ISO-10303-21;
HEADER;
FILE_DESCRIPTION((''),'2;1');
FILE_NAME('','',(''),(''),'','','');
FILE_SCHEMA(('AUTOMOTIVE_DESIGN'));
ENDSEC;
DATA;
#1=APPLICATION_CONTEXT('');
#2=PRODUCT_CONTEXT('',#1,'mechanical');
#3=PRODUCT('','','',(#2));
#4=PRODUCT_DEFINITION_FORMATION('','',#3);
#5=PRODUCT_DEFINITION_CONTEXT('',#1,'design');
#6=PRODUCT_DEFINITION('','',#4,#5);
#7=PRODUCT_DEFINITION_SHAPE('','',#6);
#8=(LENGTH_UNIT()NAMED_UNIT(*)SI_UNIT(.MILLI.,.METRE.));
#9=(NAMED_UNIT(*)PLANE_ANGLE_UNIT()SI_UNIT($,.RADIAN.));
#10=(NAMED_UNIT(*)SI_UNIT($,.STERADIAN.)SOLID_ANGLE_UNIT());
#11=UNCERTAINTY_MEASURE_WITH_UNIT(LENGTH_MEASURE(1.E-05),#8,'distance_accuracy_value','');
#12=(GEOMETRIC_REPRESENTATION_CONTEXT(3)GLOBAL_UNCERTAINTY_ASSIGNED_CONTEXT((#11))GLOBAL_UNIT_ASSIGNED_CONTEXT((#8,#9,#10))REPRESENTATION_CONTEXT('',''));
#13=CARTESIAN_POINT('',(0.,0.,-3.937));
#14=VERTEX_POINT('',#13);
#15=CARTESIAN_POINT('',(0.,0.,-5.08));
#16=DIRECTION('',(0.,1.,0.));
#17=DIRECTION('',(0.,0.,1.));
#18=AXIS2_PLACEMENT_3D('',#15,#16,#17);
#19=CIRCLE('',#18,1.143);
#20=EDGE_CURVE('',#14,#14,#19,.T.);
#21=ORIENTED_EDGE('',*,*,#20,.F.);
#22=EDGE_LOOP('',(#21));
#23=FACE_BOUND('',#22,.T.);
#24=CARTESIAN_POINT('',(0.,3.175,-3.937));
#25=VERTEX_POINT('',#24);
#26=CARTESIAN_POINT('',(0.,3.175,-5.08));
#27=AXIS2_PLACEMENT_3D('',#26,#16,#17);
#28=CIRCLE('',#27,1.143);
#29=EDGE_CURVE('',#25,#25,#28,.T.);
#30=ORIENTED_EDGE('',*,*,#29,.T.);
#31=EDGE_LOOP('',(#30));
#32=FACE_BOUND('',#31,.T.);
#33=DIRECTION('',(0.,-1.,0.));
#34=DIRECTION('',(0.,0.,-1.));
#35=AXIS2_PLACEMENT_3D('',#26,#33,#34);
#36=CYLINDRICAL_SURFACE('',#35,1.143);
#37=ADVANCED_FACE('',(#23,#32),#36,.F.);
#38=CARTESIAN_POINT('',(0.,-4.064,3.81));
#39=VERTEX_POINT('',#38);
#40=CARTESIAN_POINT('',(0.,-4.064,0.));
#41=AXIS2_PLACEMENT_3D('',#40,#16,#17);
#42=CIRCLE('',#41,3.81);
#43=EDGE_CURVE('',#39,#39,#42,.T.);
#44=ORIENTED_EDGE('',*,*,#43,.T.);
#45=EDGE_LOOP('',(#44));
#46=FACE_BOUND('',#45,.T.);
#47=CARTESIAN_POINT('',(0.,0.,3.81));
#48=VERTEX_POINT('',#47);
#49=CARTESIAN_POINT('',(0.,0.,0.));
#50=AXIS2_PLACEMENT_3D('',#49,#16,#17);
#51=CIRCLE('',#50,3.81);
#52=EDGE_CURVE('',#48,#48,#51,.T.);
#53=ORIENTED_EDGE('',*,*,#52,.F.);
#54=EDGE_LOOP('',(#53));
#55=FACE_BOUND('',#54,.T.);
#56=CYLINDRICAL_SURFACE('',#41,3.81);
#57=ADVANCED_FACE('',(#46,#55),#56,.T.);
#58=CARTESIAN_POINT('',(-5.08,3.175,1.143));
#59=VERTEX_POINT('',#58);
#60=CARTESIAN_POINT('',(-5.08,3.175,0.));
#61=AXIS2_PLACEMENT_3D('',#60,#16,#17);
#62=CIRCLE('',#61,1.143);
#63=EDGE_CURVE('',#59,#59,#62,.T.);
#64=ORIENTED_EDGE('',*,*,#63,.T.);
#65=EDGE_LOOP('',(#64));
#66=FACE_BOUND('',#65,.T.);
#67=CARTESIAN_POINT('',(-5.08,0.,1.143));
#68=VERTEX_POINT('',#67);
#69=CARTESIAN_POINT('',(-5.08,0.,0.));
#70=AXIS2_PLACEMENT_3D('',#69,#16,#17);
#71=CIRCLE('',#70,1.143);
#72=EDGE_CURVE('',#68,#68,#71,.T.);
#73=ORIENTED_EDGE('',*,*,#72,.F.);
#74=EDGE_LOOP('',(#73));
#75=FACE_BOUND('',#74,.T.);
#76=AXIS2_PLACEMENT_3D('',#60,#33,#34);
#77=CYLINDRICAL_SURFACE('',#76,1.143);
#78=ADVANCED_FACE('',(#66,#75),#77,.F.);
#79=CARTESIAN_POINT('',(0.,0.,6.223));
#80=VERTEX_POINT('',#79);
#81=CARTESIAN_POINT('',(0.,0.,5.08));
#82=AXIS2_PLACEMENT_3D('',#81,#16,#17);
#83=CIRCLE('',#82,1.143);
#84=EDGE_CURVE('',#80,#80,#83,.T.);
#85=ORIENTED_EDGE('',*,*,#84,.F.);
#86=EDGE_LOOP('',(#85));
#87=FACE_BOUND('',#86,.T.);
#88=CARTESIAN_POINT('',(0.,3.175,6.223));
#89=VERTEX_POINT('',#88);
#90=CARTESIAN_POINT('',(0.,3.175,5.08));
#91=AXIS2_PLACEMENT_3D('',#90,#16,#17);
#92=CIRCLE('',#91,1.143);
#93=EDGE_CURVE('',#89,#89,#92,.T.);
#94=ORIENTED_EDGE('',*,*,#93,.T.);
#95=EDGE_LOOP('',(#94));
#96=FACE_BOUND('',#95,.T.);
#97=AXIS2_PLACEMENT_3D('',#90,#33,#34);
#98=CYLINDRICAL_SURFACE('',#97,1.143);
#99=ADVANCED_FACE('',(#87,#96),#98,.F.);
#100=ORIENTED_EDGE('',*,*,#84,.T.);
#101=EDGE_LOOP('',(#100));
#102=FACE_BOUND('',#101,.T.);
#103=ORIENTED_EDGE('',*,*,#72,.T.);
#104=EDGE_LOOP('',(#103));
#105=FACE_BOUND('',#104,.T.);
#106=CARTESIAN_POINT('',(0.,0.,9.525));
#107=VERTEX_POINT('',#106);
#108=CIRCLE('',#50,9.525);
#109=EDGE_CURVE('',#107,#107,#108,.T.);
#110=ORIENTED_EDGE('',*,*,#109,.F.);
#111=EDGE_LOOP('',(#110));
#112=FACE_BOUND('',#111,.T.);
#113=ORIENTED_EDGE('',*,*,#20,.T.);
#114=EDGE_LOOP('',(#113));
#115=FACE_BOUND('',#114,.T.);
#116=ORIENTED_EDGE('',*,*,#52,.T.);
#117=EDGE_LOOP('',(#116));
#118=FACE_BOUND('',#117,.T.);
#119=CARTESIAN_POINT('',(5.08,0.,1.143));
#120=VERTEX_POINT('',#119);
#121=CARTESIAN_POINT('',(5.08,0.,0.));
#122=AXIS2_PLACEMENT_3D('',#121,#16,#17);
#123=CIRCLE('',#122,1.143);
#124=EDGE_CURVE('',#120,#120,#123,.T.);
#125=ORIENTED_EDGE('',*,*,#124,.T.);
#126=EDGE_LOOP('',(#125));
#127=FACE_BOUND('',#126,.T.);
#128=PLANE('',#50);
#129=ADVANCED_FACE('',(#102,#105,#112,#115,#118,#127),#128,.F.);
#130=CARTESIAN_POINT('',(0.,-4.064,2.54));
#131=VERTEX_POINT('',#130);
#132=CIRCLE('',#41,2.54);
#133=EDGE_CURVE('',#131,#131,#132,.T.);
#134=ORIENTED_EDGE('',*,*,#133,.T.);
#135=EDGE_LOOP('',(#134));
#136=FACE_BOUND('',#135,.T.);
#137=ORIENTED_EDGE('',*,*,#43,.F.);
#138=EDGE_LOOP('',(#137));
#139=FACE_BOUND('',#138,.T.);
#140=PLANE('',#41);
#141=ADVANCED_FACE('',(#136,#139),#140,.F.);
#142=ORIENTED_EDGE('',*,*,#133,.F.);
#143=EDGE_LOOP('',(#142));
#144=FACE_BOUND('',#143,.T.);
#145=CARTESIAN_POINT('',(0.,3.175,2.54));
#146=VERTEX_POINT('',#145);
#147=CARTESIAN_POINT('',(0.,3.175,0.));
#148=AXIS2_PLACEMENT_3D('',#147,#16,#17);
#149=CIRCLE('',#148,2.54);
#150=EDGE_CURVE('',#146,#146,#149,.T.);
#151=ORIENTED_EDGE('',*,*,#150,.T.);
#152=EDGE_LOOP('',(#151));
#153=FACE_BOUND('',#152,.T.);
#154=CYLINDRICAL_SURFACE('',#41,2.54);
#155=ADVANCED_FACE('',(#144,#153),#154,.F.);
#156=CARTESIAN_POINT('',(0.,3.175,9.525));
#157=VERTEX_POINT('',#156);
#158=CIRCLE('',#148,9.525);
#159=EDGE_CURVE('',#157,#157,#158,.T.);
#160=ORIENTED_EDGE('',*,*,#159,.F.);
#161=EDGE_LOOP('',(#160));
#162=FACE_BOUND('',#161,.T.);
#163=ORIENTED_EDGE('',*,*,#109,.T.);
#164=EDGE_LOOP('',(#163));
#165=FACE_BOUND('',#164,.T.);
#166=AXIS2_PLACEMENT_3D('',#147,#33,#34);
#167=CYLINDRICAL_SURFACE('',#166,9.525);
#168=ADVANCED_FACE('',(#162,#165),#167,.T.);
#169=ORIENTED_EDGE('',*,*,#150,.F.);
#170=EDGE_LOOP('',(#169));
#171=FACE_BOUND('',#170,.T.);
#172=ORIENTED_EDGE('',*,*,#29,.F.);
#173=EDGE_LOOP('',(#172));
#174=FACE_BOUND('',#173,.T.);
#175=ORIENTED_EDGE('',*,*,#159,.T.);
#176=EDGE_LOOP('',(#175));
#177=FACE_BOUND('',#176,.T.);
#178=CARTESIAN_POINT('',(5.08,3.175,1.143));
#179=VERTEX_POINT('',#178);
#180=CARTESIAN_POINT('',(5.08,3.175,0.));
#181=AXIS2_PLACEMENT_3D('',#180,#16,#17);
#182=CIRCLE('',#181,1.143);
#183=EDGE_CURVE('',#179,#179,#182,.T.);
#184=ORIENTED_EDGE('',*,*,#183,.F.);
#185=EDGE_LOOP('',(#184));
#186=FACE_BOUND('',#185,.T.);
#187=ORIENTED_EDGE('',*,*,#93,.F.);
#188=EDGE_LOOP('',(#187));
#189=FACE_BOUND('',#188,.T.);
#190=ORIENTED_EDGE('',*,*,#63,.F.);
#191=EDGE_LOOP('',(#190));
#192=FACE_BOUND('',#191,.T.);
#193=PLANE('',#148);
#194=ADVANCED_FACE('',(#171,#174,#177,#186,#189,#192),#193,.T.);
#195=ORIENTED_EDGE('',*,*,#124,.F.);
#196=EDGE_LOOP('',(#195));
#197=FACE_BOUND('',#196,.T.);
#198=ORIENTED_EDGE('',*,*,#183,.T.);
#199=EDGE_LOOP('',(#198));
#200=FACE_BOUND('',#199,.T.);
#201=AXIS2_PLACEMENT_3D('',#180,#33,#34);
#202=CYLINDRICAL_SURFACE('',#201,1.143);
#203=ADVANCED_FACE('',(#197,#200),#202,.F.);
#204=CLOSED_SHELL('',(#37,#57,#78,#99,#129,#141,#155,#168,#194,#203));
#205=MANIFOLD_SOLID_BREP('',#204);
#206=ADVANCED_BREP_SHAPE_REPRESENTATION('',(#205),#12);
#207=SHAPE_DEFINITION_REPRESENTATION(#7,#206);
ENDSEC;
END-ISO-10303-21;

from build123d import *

# Parameters (mm, degrees)
SKETCH1_R           = 9.525
BOSS_EXTRUDE1_DEPTH = 3.175
SKETCH2_R           = 3.81
SKETCH2_R_2         = 2.54
BOSS_EXTRUDE2_DEPTH = 4.064
SKETCH3_R           = 2.54
SKETCH3_R_2         = 1.143
CUT_EXTRUDE1_DEPTH  = 3.175


with BuildPart() as part:
    # Sketch1 → Boss-Extrude1 (new body)
    with BuildSketch(Plane(origin=(0, 0, 0), x_dir=(1, 0, 0), z_dir=(0, 1, 0))):
        Circle(SKETCH1_R)
    extrude(amount=BOSS_EXTRUDE1_DEPTH)

    # Sketch2 → Boss-Extrude2 (add)
    with BuildSketch(Plane(origin=(0, 0, 0), x_dir=(1, 0, 0), z_dir=(0, 1, 0))):
        Circle(SKETCH2_R)
        Circle(SKETCH2_R_2, mode=Mode.SUBTRACT)
    extrude(amount=-BOSS_EXTRUDE2_DEPTH)

    # Sketch3 → Cut-Extrude1 (cut)
    with BuildSketch(Plane(origin=(0, 0, 0), x_dir=(1, 0, 0), z_dir=(0, 1, 0))):
        Circle(SKETCH3_R)
        with Locations((5.08, 0)):
            Circle(SKETCH3_R_2)
        with Locations((0, 5.08)):
            Circle(SKETCH3_R_2)
        with Locations((-5.08, 0)):
            Circle(SKETCH3_R_2)
        with Locations((0, -5.08)):
            Circle(SKETCH3_R_2)
    extrude(amount=CUT_EXTRUDE1_DEPTH, mode=Mode.SUBTRACT)


solid = part.part
